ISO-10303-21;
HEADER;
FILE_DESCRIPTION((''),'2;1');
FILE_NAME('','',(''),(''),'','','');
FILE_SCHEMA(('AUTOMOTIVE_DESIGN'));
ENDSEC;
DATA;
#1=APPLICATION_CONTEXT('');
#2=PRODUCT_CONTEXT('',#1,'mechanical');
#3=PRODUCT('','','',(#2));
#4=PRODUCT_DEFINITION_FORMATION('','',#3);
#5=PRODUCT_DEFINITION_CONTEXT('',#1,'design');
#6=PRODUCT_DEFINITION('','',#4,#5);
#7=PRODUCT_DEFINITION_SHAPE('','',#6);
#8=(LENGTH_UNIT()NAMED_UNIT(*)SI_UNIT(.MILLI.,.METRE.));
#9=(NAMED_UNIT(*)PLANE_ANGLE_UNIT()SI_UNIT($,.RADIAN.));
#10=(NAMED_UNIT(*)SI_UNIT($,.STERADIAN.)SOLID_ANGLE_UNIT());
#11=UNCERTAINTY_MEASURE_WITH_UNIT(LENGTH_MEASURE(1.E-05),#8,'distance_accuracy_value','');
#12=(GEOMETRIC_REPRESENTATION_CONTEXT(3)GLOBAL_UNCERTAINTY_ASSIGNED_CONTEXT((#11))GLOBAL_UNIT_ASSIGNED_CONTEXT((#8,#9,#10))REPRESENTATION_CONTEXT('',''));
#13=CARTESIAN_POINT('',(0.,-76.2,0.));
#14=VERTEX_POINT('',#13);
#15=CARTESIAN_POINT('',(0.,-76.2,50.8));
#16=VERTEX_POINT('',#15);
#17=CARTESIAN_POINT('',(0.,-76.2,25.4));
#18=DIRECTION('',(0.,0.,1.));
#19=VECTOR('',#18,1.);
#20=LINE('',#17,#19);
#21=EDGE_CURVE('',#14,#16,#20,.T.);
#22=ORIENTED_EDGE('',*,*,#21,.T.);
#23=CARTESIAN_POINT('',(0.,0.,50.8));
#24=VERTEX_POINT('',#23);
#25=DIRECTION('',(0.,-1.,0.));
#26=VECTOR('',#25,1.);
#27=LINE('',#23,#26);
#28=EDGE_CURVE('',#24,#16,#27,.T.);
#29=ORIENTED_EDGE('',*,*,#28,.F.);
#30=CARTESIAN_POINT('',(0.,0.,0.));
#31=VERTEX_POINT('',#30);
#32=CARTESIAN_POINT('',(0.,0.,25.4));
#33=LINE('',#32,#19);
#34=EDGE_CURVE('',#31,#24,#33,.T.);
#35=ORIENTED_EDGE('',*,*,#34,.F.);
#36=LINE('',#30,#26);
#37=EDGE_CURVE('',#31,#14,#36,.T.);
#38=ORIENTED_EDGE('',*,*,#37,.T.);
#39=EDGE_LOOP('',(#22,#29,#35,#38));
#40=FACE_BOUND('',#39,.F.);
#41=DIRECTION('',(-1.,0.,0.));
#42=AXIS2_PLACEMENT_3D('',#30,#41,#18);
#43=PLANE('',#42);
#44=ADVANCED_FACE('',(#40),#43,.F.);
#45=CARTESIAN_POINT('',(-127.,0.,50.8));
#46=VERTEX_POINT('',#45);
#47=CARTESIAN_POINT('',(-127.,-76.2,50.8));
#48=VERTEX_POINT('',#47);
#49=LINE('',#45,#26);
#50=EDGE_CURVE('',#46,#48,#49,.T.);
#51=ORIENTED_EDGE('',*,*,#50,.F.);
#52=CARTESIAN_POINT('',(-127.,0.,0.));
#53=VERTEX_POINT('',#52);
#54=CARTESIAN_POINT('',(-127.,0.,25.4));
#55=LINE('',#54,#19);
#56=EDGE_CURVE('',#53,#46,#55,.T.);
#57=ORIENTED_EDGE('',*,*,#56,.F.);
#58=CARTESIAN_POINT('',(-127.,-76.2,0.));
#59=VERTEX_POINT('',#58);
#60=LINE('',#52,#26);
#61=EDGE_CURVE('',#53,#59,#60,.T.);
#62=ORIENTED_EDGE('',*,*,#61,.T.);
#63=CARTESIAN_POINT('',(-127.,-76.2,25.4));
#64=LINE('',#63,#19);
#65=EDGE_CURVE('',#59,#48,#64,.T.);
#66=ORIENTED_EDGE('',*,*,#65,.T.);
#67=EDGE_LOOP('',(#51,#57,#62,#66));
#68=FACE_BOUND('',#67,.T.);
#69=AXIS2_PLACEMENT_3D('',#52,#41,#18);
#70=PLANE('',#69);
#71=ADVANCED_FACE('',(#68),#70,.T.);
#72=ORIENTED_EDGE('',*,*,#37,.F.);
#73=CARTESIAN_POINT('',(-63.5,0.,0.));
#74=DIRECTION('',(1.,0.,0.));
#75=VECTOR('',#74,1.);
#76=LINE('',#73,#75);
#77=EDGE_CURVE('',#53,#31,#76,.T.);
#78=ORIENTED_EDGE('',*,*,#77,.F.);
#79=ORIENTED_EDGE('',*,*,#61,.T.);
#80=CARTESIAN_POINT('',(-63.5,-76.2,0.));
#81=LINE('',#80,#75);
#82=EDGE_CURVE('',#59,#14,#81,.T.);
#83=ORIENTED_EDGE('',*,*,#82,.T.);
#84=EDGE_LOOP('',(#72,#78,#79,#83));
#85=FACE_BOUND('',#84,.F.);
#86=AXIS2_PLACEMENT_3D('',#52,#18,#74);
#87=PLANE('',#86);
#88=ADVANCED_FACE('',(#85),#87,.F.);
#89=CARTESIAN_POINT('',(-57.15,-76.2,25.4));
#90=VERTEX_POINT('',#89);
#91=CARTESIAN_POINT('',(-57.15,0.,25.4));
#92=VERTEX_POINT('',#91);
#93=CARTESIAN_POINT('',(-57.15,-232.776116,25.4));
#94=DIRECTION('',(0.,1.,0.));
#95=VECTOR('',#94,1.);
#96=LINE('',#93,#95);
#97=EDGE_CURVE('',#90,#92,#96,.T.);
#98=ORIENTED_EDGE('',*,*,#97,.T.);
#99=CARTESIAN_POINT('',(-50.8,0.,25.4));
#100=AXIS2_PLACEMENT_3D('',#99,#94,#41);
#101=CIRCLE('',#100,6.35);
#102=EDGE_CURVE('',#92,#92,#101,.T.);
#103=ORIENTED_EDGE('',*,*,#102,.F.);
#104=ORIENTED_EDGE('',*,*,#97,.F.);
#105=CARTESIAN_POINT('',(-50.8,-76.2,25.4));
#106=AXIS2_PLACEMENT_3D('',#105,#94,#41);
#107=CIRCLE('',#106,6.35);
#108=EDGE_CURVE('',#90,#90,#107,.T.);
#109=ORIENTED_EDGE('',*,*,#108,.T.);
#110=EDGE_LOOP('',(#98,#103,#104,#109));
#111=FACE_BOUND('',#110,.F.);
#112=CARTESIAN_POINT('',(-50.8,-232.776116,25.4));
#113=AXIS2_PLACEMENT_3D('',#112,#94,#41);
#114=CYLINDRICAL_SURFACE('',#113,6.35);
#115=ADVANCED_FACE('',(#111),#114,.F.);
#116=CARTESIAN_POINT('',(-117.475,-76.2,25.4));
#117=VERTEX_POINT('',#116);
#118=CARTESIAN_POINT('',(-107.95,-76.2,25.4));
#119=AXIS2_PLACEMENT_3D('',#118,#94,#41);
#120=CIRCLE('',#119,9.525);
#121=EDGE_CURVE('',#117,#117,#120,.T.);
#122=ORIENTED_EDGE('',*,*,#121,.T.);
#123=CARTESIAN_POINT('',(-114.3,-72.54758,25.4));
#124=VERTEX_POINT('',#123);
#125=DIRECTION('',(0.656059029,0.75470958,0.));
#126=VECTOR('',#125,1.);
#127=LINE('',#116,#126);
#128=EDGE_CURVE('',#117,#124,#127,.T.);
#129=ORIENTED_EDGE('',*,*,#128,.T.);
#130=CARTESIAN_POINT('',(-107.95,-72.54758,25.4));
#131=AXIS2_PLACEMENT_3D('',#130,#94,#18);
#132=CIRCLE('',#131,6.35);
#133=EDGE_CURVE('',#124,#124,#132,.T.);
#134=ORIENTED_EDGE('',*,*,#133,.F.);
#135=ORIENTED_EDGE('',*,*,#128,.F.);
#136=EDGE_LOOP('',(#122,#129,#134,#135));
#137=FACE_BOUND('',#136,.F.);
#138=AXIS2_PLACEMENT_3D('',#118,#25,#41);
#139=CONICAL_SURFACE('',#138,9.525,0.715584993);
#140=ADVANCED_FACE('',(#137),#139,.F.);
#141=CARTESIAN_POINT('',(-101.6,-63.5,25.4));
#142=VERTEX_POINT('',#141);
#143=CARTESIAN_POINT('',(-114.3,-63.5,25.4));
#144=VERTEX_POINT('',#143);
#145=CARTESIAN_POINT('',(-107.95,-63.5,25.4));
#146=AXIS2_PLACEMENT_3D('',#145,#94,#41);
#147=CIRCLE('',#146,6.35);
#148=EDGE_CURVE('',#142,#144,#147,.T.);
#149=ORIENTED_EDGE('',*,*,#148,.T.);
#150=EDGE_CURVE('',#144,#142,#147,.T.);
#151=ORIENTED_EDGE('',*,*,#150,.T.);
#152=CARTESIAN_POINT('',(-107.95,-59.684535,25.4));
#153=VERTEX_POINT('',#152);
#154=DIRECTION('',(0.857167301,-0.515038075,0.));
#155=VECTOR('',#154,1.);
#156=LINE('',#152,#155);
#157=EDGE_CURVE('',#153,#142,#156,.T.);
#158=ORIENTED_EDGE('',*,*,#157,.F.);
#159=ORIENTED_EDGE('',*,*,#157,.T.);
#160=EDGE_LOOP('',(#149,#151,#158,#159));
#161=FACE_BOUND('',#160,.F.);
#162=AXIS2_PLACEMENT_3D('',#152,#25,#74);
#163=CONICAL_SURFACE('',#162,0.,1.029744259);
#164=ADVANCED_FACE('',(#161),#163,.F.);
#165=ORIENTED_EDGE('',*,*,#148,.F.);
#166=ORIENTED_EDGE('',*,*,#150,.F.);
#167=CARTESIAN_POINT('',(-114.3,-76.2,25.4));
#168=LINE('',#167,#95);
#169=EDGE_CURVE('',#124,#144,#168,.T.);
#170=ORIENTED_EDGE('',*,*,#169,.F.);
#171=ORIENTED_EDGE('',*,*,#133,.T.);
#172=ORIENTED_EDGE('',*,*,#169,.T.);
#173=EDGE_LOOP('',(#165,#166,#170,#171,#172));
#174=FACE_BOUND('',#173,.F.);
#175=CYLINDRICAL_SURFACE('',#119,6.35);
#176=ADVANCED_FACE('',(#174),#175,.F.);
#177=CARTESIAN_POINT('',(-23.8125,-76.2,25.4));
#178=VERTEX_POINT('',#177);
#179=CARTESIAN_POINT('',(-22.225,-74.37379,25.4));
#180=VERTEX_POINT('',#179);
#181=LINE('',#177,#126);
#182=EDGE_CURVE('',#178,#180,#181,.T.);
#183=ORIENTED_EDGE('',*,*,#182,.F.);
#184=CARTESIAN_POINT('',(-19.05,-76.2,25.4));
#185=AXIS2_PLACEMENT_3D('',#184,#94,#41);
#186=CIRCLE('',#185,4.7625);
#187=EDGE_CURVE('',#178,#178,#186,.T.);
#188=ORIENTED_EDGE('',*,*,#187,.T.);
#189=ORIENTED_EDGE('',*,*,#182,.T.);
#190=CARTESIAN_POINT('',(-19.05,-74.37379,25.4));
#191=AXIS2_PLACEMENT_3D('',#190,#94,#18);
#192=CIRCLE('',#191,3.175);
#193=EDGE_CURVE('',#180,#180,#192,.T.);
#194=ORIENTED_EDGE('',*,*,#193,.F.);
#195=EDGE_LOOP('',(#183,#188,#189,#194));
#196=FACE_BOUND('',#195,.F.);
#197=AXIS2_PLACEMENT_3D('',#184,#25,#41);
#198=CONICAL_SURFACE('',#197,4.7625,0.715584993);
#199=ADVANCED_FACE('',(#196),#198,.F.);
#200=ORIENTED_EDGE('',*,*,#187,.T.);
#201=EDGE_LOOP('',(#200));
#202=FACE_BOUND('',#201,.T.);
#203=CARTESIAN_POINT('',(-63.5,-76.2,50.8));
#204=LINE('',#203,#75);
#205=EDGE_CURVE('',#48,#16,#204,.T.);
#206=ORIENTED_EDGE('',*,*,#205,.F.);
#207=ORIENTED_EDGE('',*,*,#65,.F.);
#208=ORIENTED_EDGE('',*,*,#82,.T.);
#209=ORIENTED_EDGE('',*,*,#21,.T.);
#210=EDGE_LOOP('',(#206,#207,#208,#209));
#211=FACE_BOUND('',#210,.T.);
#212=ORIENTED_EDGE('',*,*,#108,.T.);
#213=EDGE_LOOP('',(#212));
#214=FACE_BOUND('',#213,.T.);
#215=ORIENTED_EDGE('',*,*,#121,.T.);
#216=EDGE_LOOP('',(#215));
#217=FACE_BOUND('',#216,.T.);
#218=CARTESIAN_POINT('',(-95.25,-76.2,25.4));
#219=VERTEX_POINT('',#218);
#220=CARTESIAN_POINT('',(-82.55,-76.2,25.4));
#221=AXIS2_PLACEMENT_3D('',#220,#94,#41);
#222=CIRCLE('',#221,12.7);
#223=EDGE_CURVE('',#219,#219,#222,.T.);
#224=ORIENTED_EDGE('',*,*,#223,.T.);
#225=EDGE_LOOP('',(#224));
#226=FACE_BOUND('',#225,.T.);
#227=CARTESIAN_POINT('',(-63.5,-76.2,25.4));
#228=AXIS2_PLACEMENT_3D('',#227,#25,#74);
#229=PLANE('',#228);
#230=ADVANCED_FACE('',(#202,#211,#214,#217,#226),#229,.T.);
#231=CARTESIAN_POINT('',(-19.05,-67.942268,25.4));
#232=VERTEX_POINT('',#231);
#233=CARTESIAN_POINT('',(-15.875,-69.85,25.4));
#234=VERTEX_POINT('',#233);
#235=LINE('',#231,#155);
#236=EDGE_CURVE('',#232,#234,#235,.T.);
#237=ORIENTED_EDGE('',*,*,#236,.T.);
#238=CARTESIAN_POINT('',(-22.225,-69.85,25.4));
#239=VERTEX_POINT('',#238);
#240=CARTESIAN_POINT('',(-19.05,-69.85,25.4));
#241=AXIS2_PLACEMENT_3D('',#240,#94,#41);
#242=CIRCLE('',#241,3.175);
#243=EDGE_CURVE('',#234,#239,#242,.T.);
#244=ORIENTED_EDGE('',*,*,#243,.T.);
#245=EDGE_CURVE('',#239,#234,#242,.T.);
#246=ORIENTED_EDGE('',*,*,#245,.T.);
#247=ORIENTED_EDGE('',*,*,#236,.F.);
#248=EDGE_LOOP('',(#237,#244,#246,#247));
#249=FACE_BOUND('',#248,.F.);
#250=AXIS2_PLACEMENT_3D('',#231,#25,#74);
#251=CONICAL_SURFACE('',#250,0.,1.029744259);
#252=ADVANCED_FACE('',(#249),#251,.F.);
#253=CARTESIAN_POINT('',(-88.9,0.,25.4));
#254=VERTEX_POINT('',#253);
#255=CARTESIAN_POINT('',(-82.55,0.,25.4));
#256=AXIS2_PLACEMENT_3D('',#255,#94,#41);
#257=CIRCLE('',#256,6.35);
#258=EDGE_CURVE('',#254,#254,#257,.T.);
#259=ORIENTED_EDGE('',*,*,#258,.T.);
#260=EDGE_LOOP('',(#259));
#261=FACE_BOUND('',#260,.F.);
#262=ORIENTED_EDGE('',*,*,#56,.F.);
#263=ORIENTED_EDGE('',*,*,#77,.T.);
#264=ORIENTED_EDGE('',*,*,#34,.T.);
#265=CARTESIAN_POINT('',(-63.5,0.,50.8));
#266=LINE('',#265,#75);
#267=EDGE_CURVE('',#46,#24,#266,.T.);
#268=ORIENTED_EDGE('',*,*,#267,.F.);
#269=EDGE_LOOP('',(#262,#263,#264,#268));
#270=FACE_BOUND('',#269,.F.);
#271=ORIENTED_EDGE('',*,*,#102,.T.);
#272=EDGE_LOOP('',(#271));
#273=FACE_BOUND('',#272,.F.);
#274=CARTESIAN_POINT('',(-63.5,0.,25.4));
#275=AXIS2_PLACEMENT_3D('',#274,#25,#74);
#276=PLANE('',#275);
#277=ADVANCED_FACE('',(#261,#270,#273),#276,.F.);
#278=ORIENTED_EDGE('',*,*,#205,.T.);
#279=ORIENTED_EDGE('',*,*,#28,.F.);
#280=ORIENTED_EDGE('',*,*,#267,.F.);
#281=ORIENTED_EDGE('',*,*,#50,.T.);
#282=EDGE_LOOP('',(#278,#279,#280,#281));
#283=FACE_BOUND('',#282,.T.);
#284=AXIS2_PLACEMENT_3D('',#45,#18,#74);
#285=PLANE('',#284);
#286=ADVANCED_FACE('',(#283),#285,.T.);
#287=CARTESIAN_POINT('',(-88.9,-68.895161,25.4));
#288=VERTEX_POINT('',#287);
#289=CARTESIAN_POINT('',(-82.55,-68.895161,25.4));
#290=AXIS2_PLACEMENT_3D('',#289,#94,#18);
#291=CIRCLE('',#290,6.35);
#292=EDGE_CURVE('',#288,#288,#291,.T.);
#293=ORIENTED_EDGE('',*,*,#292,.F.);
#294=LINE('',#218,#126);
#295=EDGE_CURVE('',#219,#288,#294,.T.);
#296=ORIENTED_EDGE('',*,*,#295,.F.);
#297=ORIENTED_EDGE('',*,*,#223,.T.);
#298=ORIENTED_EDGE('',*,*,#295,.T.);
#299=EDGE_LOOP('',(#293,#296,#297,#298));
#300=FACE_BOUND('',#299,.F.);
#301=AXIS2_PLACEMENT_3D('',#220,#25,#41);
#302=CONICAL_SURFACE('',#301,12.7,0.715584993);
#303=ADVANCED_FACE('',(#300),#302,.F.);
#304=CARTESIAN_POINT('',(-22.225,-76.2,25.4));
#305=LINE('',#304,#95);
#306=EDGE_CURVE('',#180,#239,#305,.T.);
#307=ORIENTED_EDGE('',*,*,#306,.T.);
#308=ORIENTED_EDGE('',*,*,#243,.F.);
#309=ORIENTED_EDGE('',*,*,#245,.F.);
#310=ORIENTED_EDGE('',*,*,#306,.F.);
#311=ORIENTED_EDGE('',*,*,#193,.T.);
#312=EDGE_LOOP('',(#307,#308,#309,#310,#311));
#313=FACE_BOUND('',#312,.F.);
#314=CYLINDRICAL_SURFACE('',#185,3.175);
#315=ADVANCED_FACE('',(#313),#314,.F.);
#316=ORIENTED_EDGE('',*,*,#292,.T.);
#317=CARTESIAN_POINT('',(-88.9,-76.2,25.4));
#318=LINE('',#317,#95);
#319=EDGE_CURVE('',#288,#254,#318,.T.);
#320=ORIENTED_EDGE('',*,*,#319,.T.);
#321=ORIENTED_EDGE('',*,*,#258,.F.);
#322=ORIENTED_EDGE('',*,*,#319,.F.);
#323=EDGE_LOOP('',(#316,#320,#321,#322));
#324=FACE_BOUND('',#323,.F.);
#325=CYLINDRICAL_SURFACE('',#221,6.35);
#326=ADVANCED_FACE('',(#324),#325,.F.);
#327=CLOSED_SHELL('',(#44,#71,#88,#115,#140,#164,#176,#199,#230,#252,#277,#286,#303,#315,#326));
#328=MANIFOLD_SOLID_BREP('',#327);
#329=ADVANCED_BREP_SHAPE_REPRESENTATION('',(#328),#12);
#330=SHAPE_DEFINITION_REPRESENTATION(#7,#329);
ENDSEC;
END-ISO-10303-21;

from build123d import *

# Parameters (mm, degrees)
F0_W           = 127
F0_H           = 50.8
F1_DEPTH       = 76.2
F3_D           = 12.7
F3_DEPTH       = 12.7
F3_CSINK_D     = 19.05
F3_CSINK_ANGLE = 82
F3_TIP         = 3.8154649308
F4_D           = 12.7
F4_CSINK_D     = 25.4
F4_CSINK_ANGLE = 82
F5_D           = 12.7
F6_D           = 6.35
F6_DEPTH       = 6.35
F6_CSINK_D     = 9.525
F6_CSINK_ANGLE = 82
F6_TIP         = 1.9077324654


with BuildPart() as f1:
    # F0 (on Front) → F1 (new body)
    with BuildSketch(Plane.XZ):
        with Locations((-63.5, 25.4)):
            Rectangle(F0_W, F0_H)
    extrude(amount=F1_DEPTH)

    # F3
    with Locations(Plane.XZ.offset(76.2)):
        with Locations((-107.95, 25.4)):
            CounterSinkHole(F3_D / 2, F3_CSINK_D / 2, depth=F3_DEPTH, counter_sink_angle=F3_CSINK_ANGLE)
            with Locations((0, 0, -(F3_DEPTH + F3_TIP / 2))):  # 118° drill point
                Cone(0, F3_D / 2, F3_TIP, mode=Mode.SUBTRACT)

    # F4 (through all)
    with Locations(Plane.XZ.offset(76.2)):
        with Locations((-82.55, 25.4)):
            CounterSinkHole(F4_D / 2, F4_CSINK_D / 2, counter_sink_angle=F4_CSINK_ANGLE)

    # F5 (through all)
    with Locations(Plane.XZ.offset(76.2)):
        with Locations((-50.8, 25.4)):
            Hole(F5_D / 2)

    # F6
    with Locations(Plane.XZ.offset(76.2)):
        with Locations((-19.05, 25.4)):
            CounterSinkHole(F6_D / 2, F6_CSINK_D / 2, depth=F6_DEPTH, counter_sink_angle=F6_CSINK_ANGLE)
            with Locations((0, 0, -(F6_DEPTH + F6_TIP / 2))):  # 118° drill point
                Cone(0, F6_D / 2, F6_TIP, mode=Mode.SUBTRACT)


solid = f1.part
